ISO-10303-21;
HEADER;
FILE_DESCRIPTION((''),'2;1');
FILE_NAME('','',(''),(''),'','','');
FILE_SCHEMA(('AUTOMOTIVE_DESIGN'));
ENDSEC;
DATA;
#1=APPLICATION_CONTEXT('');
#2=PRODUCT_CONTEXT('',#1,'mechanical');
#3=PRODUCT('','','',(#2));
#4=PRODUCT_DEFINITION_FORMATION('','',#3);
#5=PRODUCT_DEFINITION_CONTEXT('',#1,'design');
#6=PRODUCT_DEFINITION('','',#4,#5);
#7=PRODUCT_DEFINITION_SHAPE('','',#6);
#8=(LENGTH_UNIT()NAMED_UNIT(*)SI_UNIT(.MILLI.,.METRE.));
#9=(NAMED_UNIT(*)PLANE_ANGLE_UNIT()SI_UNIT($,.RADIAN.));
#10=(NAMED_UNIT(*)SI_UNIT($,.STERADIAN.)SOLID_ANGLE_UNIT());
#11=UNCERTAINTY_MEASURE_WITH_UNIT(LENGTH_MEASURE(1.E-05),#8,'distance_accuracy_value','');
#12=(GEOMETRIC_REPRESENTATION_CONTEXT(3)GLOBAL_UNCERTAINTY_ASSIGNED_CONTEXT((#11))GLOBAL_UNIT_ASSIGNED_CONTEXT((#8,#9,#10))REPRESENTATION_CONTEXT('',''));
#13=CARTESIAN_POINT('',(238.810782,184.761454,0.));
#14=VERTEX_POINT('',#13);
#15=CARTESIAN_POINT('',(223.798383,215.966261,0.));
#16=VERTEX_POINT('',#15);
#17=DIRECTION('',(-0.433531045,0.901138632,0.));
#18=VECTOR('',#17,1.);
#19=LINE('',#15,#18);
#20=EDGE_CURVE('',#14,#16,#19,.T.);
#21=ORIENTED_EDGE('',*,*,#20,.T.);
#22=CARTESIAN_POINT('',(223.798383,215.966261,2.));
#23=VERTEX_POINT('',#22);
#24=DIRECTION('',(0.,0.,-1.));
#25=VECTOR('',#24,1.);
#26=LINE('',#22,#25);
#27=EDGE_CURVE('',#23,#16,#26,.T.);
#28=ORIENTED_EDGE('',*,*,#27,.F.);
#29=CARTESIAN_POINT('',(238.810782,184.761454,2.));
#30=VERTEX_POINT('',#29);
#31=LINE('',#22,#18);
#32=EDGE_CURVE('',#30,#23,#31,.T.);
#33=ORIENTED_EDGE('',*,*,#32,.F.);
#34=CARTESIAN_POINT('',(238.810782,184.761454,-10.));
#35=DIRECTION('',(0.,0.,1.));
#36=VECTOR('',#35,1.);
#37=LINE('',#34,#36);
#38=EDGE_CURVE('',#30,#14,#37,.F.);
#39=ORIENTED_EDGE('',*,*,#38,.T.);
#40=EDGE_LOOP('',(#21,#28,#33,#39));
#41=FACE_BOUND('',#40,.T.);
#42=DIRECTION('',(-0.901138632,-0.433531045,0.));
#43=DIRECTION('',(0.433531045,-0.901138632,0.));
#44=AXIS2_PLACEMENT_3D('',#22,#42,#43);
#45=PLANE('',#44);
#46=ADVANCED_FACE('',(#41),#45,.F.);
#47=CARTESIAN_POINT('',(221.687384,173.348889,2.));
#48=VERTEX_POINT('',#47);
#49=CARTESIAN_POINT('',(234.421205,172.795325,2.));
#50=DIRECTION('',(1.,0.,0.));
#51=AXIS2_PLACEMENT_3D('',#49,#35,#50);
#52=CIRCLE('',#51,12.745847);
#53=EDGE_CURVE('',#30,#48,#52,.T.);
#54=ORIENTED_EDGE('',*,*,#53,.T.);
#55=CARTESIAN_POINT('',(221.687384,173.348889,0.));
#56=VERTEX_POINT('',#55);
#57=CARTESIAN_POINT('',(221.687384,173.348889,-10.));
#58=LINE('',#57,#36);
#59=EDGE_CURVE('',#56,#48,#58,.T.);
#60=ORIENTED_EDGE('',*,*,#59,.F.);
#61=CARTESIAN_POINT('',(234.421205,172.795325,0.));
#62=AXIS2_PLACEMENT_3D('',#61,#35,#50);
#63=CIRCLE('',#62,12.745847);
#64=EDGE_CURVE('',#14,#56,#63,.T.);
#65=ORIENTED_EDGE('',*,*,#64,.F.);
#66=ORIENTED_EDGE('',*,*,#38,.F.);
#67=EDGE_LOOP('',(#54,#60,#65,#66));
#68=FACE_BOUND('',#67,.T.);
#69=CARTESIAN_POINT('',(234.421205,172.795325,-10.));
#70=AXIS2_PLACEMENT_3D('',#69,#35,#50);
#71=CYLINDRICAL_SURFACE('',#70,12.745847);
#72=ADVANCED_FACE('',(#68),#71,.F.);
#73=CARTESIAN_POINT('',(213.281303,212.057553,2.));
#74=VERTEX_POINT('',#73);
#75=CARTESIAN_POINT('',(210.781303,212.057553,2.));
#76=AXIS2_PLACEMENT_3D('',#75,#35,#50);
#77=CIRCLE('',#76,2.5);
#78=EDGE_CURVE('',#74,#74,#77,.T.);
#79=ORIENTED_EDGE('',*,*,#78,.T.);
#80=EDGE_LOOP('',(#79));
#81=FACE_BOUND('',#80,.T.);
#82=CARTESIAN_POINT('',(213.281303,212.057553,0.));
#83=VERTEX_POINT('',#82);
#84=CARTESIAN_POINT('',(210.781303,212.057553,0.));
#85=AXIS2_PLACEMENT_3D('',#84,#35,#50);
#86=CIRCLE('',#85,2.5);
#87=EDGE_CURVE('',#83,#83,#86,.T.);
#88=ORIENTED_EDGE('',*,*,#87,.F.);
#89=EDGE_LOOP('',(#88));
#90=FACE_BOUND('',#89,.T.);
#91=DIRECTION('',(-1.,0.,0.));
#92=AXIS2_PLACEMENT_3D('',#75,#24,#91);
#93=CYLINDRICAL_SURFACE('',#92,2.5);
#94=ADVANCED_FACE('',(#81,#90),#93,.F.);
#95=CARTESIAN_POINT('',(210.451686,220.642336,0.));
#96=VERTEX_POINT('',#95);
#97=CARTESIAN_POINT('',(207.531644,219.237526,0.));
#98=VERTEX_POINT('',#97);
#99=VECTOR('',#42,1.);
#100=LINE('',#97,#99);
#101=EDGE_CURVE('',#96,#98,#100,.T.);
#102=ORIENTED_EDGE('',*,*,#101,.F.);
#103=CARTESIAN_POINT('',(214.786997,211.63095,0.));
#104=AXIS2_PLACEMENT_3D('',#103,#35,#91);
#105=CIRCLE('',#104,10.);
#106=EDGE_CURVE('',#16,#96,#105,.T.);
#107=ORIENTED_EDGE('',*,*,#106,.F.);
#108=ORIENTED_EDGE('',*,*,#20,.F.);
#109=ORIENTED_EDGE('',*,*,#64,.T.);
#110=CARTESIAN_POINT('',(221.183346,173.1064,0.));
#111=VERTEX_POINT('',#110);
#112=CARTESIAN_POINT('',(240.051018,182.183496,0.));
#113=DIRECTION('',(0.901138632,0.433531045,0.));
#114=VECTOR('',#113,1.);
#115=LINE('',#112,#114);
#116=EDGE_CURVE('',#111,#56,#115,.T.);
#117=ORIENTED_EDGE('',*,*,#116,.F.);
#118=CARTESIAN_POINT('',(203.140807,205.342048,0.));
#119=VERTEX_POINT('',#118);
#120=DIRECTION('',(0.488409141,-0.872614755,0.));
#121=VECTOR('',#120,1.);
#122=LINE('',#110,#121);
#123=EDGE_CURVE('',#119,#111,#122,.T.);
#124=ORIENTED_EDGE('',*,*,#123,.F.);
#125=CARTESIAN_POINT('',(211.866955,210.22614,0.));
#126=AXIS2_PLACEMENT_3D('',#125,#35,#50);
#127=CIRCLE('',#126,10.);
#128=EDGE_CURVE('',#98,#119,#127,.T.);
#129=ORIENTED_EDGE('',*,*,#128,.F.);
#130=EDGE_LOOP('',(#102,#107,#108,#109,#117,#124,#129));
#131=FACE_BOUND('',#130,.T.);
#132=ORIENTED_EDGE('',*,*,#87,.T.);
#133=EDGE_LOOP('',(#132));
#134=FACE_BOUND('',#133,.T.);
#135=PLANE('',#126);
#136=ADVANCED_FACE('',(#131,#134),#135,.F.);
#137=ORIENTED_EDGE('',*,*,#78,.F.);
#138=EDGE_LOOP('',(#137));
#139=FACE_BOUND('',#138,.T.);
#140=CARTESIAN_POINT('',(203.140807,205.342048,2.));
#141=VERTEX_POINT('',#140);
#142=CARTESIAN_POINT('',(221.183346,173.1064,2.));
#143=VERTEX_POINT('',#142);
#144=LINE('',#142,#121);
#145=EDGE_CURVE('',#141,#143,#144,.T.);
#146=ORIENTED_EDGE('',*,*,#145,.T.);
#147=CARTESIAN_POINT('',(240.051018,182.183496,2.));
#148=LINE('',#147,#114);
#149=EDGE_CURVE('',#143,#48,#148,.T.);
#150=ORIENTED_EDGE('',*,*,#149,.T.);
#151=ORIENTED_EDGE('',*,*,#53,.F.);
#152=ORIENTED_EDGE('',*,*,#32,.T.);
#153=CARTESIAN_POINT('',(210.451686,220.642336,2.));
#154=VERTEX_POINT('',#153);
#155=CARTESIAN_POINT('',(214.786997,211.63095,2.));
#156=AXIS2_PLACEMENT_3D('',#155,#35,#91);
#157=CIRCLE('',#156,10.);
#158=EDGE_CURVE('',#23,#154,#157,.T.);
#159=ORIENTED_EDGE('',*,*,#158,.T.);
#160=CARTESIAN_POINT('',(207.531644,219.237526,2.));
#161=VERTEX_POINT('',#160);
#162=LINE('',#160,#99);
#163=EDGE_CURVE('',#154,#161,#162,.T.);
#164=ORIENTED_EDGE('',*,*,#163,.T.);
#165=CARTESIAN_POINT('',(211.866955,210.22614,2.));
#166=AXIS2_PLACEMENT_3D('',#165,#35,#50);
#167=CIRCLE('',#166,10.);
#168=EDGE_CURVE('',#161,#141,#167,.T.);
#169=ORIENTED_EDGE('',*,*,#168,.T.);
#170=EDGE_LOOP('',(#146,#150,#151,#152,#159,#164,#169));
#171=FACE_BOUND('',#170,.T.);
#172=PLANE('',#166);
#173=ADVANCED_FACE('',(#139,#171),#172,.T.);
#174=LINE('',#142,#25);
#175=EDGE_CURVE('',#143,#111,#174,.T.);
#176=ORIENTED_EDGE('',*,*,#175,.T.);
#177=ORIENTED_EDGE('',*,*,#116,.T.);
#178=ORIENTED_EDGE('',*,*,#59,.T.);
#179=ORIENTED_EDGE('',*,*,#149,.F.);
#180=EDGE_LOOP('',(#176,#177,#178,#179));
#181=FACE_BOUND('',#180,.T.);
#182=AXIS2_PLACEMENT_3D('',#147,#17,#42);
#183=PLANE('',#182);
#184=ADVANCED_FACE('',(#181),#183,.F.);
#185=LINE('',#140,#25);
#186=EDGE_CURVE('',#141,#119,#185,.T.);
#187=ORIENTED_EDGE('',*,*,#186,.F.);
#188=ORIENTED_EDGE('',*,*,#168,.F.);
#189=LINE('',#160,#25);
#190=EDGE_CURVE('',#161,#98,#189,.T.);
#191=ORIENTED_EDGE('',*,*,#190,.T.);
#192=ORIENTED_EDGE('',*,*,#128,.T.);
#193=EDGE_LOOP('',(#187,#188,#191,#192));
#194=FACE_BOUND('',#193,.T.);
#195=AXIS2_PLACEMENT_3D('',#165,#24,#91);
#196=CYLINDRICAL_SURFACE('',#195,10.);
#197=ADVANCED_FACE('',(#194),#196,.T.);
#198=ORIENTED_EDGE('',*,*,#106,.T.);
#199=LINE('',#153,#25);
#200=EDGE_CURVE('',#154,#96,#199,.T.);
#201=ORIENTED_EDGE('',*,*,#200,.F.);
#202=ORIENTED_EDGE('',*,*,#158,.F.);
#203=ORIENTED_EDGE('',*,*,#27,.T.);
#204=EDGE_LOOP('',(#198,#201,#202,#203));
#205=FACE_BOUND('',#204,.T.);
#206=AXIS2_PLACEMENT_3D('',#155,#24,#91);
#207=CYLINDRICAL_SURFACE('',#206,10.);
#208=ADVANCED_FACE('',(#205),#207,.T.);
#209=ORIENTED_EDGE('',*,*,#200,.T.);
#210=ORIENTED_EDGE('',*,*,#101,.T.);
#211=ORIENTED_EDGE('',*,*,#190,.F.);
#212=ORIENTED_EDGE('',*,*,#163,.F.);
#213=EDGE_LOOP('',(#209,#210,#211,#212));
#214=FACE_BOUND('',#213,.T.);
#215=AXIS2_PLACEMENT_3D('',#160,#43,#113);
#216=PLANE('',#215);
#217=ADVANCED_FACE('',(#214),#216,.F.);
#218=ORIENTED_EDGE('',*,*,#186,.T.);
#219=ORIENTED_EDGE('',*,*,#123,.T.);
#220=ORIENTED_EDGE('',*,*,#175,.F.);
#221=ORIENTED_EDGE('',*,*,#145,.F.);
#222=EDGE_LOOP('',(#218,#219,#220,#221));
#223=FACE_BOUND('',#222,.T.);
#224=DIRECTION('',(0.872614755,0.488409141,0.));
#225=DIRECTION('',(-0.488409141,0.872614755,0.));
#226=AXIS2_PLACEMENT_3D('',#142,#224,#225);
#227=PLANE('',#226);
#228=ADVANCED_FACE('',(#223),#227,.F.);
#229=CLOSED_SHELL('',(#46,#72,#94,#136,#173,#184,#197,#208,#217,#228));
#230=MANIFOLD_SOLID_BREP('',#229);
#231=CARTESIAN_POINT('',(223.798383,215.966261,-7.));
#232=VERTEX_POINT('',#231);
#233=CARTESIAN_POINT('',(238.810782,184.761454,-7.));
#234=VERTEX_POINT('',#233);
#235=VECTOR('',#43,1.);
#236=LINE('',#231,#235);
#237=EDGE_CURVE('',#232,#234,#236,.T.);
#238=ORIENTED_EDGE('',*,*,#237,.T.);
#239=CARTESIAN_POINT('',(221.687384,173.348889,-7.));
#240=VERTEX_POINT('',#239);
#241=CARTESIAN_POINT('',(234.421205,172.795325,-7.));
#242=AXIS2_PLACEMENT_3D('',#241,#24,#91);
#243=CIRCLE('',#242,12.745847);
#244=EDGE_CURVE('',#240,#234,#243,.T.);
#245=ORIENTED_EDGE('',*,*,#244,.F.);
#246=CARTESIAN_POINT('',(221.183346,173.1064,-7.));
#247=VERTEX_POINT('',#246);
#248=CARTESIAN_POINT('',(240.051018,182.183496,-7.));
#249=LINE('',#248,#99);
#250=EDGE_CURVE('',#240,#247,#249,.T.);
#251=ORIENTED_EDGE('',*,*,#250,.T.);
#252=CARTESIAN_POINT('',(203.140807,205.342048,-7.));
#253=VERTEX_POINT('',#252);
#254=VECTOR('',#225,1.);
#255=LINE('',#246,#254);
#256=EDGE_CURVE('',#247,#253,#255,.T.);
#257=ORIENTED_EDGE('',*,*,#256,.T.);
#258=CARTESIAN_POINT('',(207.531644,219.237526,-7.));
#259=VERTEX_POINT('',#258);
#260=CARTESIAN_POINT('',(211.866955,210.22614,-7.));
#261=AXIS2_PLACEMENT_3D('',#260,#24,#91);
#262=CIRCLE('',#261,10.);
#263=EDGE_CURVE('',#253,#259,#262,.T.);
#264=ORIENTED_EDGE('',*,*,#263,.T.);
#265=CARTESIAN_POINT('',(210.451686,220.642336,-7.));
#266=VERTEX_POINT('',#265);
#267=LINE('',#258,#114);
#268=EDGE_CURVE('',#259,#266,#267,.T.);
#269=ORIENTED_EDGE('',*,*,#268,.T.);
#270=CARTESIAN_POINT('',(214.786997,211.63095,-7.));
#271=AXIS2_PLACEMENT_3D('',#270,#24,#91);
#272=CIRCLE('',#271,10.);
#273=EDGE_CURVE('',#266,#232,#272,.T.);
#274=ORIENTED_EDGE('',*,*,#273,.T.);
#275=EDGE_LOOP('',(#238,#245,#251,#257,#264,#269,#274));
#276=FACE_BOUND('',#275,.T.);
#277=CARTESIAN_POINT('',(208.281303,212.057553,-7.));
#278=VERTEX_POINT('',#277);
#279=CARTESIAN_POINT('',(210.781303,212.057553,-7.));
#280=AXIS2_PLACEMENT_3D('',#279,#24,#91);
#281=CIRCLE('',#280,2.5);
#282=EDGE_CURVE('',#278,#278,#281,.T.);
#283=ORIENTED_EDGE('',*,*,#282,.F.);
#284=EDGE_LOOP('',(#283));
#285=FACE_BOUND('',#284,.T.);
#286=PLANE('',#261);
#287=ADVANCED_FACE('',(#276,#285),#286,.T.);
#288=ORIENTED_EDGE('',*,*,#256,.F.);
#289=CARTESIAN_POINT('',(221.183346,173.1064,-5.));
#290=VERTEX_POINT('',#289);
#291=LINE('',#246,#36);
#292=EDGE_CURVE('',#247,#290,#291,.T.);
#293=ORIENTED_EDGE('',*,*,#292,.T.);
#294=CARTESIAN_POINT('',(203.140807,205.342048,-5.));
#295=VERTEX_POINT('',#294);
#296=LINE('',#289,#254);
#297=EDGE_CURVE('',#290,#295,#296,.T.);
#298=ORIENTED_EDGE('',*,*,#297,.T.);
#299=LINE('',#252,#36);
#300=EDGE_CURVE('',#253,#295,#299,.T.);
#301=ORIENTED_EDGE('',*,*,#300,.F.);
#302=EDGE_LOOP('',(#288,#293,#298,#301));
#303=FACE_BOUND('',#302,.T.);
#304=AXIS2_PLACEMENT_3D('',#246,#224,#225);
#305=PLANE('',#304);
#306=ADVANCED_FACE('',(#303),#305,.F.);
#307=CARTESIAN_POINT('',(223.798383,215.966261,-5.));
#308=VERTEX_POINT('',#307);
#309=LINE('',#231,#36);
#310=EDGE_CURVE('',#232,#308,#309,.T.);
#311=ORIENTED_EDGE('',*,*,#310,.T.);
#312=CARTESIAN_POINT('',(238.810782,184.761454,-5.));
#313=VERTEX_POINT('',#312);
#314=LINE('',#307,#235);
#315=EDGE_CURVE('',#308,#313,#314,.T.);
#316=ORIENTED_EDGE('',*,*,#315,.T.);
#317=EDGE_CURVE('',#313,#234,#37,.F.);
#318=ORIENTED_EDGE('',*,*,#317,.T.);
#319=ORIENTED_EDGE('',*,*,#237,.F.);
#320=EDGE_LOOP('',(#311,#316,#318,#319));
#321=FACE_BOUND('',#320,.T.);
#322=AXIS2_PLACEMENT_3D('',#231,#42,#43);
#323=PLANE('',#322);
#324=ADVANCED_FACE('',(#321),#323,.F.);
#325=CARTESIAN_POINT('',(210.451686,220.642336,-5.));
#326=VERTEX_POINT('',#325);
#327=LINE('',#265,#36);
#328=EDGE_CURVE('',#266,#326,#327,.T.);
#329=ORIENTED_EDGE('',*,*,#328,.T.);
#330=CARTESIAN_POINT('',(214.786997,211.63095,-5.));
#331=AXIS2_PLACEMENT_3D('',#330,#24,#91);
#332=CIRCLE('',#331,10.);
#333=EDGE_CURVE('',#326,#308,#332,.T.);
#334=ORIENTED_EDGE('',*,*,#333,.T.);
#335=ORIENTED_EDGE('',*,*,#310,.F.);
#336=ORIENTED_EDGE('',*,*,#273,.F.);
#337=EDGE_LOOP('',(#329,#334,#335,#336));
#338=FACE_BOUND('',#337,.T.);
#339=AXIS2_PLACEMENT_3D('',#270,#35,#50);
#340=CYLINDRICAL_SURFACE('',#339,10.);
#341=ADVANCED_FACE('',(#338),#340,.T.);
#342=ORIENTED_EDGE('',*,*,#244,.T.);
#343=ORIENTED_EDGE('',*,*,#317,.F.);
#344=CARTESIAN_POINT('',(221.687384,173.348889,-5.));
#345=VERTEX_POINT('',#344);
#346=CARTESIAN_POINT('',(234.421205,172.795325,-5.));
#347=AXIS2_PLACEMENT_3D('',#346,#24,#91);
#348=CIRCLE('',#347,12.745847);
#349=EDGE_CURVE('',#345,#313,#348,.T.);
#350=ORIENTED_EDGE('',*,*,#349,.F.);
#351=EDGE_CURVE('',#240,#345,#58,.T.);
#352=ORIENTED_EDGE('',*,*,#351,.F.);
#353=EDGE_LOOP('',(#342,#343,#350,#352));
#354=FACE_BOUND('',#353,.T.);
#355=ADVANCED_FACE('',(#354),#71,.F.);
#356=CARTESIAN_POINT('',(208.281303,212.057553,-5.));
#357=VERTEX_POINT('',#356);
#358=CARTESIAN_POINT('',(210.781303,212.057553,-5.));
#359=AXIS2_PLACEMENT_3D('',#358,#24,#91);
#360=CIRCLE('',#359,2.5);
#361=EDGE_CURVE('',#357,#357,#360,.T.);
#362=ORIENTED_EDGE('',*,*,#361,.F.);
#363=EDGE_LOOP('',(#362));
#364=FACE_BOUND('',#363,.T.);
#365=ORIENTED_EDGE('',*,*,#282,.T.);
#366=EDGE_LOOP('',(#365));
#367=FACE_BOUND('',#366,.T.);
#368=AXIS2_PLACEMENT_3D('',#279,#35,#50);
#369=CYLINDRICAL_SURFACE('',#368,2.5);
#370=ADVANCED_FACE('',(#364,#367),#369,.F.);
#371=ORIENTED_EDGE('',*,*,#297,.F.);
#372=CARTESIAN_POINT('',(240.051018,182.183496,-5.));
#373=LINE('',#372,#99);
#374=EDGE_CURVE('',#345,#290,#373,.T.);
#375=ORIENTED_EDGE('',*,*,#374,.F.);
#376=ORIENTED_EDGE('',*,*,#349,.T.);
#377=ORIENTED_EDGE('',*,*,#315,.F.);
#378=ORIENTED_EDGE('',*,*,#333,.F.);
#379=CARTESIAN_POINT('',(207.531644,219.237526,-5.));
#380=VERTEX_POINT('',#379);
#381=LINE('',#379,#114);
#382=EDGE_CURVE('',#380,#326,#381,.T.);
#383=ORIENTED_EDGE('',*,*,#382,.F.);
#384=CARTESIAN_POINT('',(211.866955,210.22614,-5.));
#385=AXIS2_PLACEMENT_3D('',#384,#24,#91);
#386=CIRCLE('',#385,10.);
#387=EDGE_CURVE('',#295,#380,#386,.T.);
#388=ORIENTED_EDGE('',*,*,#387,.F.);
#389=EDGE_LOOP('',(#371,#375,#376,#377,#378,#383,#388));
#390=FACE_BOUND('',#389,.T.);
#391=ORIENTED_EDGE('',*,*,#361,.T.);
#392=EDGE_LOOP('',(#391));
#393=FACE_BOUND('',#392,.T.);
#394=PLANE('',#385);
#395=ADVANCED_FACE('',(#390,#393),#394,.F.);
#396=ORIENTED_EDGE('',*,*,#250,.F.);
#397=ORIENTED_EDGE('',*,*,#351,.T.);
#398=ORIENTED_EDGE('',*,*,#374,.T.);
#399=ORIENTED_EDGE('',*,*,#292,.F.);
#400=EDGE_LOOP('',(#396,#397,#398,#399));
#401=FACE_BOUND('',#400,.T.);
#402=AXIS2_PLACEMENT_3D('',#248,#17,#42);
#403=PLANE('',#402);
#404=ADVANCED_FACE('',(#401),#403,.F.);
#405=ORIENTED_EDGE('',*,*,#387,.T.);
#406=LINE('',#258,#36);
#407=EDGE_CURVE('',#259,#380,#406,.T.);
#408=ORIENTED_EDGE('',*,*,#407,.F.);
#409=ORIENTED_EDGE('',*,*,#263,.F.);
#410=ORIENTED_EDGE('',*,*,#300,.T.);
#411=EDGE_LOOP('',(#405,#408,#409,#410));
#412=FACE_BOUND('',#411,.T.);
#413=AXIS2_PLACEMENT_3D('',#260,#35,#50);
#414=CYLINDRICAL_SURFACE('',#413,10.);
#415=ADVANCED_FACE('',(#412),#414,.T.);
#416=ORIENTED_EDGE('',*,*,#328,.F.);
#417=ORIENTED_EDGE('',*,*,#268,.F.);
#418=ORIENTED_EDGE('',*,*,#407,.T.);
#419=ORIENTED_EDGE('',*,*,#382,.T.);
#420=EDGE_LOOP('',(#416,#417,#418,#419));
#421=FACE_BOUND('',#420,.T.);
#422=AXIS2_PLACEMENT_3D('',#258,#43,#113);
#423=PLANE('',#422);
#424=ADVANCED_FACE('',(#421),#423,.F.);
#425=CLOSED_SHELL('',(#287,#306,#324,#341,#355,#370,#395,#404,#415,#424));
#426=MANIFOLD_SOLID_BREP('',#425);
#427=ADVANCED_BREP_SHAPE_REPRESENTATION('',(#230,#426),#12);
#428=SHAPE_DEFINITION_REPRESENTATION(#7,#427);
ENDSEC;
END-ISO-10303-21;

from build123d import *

# Parameters (mm, degrees)
SZKIC1_R                    = 2.5
DODANIE_WYCI_GNI_CIE1_DEPTH = 2
SZKIC2_R                    = 2.5
DODANIE_WYCI_GNI_CIE2_DEPTH = 2
SZKIC3_R                    = 12.745847425
WYTNIJ_WYCI_GNI_CIE1_DEPTH  = 12


with BuildPart() as part:
    # Szkic1 → Dodanie-wyciągnięcie1 (new body)
    with BuildSketch(Plane.XY):
        with BuildLine():
            Line((207.531644372, 219.237526191), (210.451686214, 220.642336446))
            ThreePointArc((210.451686214, 220.642336446), (218.093481617, 221.068489918), (223.798382977, 215.966260579))
            Line((223.798382977, 215.966260579), (240.051018031, 182.183495797))
            Line((240.051018031, 182.183495797), (221.183345822, 173.106400043))
            Line((221.183345822, 173.106400043), (203.140807269, 205.342048464))
            ThreePointArc((203.140807269, 205.342048464), (202.33167839, 213.239195372), (207.531644372, 219.237526191))
        make_face()
        with Locations((210.781303051, 212.057553235)):
            Circle(SZKIC1_R, mode=Mode.SUBTRACT)
    extrude(amount=DODANIE_WYCI_GNI_CIE1_DEPTH)


with BuildPart() as body_2:
    # Szkic2 → Dodanie-wyciągnięcie2 (new body)
    with BuildSketch(Plane(origin=(0, 0, -5), x_dir=(-1, 0, 0), z_dir=(0, 0, -1))):
        with BuildLine():
            Line((-240.051018031, 182.183495797), (-221.183345822, 173.106400043))
            Line((-221.183345822, 173.106400043), (-203.140807269, 205.342048464))
            ThreePointArc((-203.140807269, 205.342048464), (-202.33167839, 213.239195372), (-207.531644372, 219.237526191))
            Line((-207.531644372, 219.237526191), (-210.451686214, 220.642336446))
            ThreePointArc((-210.451686214, 220.642336446), (-218.093481617, 221.068489918), (-223.798382977, 215.966260579))
            Line((-223.798382977, 215.966260579), (-240.051018031, 182.183495797))
        make_face()
        with Locations((-210.781303051, 212.057553235)):
            Circle(SZKIC2_R, mode=Mode.SUBTRACT)
    extrude(amount=DODANIE_WYCI_GNI_CIE2_DEPTH)


with BuildPart() as wytnij_wyci_gni_cie1_tool:
    # Szkic3 → Wytnij-wyciągnięcie1 (new body)
    with BuildSketch(Plane.XY.offset(2)):
        with Locations((234.421204702, 172.795325307)):
            Circle(SZKIC3_R)
    extrude(amount=-WYTNIJ_WYCI_GNI_CIE1_DEPTH)


with BuildPart() as part_1:
    add(part.part)

    # Wytnij-wyciągnięcie1: cut by wytnij_wyci_gni_cie1_tool
    add(wytnij_wyci_gni_cie1_tool.part, mode=Mode.SUBTRACT)


with BuildPart() as body_2_1:
    add(body_2.part)

    # Wytnij-wyciągnięcie1: cut by wytnij_wyci_gni_cie1_tool
    add(wytnij_wyci_gni_cie1_tool.part, mode=Mode.SUBTRACT)


solid = Compound([part_1.part, body_2_1.part])
